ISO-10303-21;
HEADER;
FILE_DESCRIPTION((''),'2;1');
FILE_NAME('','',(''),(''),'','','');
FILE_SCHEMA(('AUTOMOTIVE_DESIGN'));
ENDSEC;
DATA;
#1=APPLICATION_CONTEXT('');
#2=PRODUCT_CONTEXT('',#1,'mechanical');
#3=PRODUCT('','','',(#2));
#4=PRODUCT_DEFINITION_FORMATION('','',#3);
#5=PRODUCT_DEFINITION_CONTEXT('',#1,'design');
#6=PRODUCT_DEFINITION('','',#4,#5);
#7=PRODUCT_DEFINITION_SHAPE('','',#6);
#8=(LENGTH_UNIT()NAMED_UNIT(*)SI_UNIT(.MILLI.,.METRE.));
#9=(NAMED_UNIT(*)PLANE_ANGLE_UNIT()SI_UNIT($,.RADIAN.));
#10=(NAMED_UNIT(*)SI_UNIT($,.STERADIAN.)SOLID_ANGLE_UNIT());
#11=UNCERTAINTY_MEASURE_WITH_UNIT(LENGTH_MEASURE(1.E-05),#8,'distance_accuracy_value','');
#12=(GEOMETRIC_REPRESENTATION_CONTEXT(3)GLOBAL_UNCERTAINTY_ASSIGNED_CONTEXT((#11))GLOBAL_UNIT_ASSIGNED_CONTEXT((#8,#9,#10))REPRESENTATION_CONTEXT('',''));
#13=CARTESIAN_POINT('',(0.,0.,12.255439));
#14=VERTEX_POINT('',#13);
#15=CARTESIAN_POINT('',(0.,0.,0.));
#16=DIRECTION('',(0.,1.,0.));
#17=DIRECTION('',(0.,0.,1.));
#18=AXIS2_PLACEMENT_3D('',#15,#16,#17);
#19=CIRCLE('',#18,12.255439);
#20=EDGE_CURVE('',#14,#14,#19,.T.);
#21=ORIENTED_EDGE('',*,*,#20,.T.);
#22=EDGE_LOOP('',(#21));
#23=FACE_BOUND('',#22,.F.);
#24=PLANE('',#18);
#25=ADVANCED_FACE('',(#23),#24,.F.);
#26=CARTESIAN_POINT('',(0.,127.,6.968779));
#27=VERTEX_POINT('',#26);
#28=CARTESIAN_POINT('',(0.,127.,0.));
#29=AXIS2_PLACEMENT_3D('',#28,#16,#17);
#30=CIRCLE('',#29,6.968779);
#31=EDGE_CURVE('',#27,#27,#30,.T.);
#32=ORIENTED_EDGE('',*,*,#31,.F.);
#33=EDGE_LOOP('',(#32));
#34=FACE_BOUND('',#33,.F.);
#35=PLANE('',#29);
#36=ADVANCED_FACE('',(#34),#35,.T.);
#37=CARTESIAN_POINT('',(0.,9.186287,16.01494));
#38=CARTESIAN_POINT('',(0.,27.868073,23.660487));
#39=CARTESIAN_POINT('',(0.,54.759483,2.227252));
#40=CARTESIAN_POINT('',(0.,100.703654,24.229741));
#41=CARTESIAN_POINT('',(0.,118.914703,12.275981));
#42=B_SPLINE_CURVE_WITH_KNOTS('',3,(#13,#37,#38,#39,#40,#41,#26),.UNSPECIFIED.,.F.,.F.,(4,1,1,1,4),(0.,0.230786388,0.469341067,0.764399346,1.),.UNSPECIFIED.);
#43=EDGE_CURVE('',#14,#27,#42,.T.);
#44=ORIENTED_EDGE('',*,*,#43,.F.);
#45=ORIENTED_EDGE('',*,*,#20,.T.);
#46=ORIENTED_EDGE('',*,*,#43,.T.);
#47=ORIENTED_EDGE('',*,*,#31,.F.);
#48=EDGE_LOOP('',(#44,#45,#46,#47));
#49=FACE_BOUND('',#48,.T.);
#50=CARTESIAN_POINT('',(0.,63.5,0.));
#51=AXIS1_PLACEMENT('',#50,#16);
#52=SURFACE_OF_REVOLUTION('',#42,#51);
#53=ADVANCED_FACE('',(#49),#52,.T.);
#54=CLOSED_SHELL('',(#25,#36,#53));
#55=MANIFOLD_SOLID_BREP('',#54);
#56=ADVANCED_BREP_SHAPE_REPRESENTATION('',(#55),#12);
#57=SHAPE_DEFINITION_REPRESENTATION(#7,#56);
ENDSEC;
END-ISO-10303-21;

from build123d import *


with BuildPart() as f1:
    # F0 (on Right) → F1 (revolve)
    with BuildSketch(Plane.YZ):
        with BuildLine():
            Line((0, 12.2554389938), (0, 0))
            Line((0, 0), (127, 0))
            Line((127, 0), (127, 6.9687794654))
            add(Edge.make_bspline(
                [(0, 12.2554389938), (9.1862873188, 16.0149400626), (27.8680732326, 23.660487352), (54.7594829409, 2.2272518472), (100.7036543713, 24.2297406657), (118.914703163, 12.2759805864), (127, 6.9687794654)],
                knots=[0, 0, 0, 0, 0.2307863878, 0.4693410666, 0.7643993465, 1, 1, 1, 1], degree=3))
        make_face()
    revolve(axis=Axis((0, 63.5, 0), (0, 1, 0)))


solid = f1.part
